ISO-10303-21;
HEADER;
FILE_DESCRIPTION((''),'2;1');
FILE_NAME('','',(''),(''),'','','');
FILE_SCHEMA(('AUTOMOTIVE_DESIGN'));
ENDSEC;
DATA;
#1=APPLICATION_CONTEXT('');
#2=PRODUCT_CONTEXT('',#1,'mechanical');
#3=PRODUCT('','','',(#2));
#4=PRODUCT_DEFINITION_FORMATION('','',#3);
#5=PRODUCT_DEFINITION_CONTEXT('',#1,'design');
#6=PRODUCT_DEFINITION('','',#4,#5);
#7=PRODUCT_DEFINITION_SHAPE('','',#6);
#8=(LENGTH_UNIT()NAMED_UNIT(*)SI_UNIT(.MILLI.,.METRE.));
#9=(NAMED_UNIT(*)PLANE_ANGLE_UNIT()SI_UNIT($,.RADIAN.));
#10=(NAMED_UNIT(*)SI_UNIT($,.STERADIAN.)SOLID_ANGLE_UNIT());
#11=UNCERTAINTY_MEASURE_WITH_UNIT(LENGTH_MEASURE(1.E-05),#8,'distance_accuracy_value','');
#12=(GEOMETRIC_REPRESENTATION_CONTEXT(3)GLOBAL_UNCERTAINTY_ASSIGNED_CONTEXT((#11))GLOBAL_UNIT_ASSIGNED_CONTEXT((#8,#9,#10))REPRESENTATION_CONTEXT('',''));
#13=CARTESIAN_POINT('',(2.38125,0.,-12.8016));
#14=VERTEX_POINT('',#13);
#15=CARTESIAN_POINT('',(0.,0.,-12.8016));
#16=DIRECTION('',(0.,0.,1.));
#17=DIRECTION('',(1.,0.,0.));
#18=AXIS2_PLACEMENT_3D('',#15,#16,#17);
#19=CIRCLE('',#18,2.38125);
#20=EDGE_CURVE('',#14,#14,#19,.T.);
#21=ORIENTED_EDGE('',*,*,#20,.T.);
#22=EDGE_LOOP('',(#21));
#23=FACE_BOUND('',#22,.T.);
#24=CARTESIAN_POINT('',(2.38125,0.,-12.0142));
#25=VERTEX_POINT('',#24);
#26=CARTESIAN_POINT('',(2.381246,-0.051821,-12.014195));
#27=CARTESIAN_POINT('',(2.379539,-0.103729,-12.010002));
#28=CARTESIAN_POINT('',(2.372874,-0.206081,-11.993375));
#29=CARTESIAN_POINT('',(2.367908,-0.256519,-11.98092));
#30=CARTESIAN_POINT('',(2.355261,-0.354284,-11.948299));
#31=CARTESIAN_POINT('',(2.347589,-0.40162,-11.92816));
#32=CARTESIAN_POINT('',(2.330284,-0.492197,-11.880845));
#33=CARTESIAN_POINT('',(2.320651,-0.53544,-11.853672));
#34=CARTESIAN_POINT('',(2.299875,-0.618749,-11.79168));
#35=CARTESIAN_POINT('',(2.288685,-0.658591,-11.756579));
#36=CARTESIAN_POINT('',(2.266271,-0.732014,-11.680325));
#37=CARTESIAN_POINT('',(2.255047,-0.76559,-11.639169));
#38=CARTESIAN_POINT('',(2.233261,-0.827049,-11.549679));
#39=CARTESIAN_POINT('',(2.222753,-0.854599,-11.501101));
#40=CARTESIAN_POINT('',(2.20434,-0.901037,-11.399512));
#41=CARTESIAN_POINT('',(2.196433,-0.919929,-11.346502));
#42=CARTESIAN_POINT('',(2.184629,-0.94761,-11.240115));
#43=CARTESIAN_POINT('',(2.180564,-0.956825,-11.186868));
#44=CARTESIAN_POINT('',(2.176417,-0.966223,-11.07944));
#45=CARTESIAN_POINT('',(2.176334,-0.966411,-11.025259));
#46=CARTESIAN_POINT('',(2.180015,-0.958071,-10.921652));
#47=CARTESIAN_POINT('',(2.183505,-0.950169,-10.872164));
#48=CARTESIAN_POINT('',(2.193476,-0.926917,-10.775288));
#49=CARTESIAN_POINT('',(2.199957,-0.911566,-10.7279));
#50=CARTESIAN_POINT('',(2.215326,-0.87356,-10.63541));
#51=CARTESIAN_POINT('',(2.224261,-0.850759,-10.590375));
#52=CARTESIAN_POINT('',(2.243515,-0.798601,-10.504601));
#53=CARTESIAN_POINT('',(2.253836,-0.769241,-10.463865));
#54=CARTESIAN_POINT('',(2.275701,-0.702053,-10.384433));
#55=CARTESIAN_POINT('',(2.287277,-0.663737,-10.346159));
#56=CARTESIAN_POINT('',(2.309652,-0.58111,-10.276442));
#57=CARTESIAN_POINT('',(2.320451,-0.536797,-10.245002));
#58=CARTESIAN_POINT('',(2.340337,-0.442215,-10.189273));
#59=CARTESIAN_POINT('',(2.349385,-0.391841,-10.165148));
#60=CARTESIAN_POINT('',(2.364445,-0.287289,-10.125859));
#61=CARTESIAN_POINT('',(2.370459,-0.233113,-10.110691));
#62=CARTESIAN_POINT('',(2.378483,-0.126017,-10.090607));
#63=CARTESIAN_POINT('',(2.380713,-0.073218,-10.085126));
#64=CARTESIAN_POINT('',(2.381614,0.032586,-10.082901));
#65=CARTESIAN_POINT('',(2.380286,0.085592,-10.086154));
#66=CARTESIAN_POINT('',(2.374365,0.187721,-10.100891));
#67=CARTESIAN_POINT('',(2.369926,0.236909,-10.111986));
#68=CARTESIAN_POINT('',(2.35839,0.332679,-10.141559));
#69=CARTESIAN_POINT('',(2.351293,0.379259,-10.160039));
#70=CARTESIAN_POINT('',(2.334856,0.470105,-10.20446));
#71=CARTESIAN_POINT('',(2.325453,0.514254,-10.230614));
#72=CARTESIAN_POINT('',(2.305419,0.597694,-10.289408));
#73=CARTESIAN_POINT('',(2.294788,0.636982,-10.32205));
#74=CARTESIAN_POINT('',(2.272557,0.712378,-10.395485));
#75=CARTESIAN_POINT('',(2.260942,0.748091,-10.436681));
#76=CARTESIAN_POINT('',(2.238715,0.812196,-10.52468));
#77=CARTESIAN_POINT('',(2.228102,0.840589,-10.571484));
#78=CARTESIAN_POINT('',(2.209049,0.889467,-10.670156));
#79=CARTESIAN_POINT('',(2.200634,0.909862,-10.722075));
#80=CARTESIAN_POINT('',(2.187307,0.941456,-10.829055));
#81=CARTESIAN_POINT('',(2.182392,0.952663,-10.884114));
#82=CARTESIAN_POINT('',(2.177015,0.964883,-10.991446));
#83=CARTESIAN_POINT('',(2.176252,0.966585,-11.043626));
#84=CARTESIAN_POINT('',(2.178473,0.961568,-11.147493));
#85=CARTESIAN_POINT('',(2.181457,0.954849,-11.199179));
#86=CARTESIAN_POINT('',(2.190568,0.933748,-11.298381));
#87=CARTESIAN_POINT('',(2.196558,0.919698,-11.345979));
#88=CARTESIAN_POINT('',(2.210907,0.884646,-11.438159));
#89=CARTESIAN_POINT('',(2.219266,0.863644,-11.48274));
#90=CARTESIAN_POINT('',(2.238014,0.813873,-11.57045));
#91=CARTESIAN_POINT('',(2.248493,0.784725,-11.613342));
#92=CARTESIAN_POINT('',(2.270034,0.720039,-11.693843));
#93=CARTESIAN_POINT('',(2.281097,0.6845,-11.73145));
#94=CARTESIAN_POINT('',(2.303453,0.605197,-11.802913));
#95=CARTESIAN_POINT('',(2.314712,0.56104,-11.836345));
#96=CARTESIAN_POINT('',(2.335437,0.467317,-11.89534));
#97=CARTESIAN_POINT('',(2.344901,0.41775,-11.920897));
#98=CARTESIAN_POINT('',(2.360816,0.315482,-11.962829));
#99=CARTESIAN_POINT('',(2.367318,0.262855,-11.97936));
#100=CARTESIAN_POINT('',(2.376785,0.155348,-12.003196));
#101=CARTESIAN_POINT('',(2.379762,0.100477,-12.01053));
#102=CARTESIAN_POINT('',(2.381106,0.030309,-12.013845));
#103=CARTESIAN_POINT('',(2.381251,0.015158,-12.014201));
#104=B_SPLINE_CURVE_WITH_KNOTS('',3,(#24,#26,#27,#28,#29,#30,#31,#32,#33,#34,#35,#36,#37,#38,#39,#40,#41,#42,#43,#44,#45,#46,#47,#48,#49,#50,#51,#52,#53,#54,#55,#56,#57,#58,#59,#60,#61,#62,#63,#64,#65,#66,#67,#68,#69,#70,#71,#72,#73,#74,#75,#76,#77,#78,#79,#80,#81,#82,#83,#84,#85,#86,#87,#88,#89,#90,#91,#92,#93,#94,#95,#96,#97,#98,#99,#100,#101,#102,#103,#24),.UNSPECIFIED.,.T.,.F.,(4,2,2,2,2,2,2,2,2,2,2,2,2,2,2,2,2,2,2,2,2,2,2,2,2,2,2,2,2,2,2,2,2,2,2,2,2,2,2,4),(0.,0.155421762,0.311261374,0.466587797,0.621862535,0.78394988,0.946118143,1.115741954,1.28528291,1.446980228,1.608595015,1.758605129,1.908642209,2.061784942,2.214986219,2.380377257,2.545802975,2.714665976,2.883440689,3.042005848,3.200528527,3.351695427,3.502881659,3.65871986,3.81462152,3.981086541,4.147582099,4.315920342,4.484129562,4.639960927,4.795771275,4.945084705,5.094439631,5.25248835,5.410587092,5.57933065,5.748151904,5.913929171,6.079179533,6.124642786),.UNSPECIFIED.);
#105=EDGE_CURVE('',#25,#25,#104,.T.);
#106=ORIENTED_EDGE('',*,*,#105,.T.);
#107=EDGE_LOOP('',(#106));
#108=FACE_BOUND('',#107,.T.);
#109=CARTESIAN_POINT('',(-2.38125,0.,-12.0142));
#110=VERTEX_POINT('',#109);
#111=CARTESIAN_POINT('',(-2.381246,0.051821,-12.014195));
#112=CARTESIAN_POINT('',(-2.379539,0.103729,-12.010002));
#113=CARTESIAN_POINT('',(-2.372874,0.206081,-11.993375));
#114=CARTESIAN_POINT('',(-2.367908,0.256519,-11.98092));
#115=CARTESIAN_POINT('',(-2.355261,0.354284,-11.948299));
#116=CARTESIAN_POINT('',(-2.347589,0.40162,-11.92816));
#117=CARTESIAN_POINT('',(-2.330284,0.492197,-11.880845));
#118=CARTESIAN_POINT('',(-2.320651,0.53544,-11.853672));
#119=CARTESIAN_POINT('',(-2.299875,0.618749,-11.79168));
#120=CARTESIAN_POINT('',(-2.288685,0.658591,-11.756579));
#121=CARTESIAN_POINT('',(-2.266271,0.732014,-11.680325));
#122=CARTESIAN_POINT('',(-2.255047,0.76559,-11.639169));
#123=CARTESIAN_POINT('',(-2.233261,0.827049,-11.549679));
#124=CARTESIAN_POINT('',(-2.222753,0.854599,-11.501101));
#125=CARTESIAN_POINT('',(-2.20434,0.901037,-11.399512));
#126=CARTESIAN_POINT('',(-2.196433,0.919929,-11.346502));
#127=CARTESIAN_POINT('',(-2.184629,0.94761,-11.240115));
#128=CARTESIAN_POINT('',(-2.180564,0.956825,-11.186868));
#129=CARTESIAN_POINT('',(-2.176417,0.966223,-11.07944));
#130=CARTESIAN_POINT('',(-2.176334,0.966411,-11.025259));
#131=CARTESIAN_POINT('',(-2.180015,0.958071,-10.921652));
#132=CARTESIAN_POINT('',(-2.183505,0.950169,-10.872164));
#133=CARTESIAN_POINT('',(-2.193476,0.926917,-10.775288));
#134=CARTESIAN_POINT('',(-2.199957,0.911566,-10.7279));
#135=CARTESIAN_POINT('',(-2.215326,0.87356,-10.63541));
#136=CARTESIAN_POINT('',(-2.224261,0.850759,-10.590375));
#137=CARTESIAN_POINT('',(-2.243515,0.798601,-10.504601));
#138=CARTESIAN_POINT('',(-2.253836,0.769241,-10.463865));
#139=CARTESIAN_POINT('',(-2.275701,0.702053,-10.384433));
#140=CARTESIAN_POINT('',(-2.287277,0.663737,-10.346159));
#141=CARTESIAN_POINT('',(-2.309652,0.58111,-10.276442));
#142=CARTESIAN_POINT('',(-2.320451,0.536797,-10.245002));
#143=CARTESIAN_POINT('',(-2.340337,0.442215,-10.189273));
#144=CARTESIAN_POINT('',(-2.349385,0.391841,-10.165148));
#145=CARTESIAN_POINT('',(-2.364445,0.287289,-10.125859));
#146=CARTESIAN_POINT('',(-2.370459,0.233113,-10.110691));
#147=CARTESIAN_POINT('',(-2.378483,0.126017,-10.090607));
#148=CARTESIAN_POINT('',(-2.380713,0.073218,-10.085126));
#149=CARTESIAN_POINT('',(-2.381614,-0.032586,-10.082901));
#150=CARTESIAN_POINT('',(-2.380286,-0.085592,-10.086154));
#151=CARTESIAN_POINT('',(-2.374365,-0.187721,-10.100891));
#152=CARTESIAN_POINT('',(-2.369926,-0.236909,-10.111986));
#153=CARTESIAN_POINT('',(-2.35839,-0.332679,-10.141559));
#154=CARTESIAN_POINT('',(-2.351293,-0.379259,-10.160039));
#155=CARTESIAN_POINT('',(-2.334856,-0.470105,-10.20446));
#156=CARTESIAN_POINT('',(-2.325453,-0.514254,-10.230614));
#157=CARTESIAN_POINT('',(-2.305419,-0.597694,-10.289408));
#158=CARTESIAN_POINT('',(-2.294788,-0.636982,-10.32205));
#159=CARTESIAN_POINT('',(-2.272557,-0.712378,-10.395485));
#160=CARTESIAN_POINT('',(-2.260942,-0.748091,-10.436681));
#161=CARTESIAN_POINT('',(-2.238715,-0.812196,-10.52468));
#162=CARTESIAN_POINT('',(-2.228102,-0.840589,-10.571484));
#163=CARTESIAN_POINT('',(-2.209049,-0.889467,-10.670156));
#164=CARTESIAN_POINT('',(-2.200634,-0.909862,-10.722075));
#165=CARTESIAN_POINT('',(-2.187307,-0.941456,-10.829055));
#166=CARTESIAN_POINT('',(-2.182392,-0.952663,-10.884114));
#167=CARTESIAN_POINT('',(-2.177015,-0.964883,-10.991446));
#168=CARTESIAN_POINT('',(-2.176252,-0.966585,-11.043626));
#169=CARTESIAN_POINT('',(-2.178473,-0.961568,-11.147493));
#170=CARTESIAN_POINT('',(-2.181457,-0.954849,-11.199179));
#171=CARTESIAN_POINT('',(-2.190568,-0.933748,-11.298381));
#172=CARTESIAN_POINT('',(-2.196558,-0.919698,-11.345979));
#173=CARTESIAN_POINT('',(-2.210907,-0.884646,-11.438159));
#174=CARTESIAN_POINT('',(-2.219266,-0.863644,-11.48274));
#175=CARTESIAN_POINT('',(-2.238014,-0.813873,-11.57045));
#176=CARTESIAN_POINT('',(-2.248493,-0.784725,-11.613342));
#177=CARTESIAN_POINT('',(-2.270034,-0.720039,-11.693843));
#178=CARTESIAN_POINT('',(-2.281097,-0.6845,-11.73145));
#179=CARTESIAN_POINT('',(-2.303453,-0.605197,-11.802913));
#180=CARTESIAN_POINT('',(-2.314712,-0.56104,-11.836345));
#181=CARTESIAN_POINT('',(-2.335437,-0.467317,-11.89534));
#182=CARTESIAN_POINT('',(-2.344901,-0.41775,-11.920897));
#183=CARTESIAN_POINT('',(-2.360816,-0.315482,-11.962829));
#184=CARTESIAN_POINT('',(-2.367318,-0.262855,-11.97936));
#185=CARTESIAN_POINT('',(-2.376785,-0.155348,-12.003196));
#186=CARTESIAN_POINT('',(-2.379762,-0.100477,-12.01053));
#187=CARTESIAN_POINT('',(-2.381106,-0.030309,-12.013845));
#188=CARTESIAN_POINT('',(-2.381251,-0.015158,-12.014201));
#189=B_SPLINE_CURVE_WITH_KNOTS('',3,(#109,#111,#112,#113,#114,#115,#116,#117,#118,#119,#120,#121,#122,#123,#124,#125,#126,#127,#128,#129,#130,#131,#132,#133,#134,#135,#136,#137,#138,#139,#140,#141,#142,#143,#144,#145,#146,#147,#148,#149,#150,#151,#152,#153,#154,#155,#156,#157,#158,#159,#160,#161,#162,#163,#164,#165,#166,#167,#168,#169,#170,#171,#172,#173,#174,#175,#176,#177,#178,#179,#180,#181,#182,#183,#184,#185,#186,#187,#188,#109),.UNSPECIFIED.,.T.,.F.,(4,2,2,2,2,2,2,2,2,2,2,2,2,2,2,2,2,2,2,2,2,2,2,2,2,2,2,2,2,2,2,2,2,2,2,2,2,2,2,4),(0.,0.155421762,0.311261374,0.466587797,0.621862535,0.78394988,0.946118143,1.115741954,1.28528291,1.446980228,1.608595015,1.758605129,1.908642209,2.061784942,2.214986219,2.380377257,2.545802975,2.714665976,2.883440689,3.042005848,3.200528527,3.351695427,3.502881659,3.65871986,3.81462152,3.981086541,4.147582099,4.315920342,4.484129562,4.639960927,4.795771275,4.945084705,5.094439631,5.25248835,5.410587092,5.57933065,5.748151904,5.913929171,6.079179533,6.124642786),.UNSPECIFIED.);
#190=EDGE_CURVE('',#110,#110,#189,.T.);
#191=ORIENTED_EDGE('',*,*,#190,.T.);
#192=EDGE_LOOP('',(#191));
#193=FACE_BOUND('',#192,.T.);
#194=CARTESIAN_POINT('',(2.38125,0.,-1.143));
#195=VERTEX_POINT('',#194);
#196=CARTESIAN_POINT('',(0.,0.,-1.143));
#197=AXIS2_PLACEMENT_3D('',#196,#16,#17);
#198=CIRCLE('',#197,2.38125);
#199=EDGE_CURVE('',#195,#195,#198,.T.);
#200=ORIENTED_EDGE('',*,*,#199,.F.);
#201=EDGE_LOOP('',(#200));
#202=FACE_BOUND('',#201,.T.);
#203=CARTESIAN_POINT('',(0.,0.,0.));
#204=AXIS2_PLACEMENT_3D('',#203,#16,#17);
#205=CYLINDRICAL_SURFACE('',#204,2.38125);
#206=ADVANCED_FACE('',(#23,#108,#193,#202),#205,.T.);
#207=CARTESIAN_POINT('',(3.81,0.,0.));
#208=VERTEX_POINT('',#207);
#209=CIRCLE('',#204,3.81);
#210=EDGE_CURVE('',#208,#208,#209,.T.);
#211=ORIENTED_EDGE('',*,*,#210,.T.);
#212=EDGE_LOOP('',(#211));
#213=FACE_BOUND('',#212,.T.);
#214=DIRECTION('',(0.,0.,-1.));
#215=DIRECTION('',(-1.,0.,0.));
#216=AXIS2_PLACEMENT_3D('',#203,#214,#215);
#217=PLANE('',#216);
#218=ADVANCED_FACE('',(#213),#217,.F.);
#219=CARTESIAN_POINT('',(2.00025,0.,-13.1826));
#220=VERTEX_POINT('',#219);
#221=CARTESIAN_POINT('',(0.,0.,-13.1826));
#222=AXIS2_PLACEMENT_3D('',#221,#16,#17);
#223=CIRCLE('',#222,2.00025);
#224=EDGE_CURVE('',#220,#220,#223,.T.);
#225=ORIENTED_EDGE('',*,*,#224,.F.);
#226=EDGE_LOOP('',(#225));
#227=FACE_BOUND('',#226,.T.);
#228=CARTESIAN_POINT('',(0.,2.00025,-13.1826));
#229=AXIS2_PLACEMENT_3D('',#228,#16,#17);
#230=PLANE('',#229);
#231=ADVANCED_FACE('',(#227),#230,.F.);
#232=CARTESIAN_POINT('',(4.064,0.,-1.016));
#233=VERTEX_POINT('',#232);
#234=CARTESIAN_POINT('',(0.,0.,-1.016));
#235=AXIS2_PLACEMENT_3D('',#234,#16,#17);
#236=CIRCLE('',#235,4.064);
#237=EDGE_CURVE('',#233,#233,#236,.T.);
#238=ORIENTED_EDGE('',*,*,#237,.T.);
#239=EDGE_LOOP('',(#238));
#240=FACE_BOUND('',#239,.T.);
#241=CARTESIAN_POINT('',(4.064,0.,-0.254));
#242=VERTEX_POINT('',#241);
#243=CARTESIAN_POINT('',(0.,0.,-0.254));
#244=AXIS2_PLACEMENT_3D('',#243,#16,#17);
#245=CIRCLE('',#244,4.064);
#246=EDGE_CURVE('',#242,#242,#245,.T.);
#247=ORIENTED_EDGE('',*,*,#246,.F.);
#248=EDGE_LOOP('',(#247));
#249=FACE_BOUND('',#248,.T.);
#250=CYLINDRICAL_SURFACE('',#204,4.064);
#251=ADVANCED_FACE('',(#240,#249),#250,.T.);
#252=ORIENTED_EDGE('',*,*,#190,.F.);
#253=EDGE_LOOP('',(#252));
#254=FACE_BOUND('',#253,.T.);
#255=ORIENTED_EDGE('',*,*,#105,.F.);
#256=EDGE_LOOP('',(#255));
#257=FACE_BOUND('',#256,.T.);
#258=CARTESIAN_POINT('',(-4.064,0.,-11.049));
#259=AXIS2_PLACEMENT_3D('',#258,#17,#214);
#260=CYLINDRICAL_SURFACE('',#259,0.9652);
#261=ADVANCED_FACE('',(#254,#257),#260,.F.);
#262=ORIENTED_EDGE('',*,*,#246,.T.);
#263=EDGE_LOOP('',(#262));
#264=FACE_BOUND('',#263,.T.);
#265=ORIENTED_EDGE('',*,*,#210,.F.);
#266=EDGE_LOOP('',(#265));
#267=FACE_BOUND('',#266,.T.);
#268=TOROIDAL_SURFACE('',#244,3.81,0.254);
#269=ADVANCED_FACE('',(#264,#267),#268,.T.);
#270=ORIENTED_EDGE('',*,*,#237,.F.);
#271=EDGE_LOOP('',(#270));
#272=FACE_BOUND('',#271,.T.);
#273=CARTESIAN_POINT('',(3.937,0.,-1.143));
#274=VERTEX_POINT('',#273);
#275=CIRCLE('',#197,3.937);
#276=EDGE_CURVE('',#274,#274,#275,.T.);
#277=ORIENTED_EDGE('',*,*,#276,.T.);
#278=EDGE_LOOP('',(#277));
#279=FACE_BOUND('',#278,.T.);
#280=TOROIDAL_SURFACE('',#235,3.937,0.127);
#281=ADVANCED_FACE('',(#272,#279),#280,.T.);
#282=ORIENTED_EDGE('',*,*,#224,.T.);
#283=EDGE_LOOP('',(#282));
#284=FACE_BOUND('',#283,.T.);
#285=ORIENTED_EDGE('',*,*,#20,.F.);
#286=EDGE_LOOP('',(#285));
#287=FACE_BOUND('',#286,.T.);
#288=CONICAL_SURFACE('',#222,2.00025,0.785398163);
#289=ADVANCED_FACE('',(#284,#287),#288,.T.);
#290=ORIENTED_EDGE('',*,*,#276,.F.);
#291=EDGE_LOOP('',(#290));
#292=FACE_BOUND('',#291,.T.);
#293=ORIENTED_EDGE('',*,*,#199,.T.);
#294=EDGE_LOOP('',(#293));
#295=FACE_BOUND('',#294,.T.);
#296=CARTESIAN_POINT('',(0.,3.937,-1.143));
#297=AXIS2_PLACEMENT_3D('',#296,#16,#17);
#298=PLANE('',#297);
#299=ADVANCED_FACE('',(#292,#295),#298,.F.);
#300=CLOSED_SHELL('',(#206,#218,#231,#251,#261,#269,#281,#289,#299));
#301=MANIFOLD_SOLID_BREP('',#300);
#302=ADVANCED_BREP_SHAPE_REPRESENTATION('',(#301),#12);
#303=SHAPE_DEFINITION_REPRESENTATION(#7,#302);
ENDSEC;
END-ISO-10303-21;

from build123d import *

# Parameters (mm, degrees)
SKETCH2_R           = 0.9652
EXTRUDE1_DEPTH      = 5.0640001
EXTRUDE1_DEPTH_BACK = 5.0640001


with BuildPart() as part:
    # Sketch1 → Revolve Base (revolve)
    with BuildSketch(Plane(origin=(0, 0, 0), x_dir=(0, 0, -1), z_dir=(1, 0, 0))):
        with BuildLine():
            Line((0, 0), (0, 3.81))
            ThreePointArc((0, 3.81), (0.074394878, 3.989605122), (0.254, 4.064))
            Line((0.254, 4.064), (1.016, 4.064))
            ThreePointArc((1.016, 4.064), (1.105802561, 4.026802561), (1.143, 3.937))
            Line((1.143, 3.937), (1.143, 2.38125))
            Line((1.143, 2.38125), (12.8016, 2.38125))
            Line((12.8016, 2.38125), (13.1826, 2.00025))
            Line((13.1826, 2.00025), (13.1826, 0))
            Line((13.1826, 0), (0, 0))
        make_face()
    revolve(axis=Axis((0, 0, 0), (0, 0, -1)))

    # Sketch2 → Extrude1 (cut, two sides)
    with BuildSketch(Plane(origin=(0, 0, 0), x_dir=(0, 0, -1), z_dir=(1, 0, 0))) as extrude1_sk:
        with Locations((11.049, 0)):
            Circle(SKETCH2_R)
    extrude(amount=EXTRUDE1_DEPTH, mode=Mode.SUBTRACT)
    extrude(extrude1_sk.sketch, amount=-EXTRUDE1_DEPTH_BACK, mode=Mode.SUBTRACT)


solid = part.part
